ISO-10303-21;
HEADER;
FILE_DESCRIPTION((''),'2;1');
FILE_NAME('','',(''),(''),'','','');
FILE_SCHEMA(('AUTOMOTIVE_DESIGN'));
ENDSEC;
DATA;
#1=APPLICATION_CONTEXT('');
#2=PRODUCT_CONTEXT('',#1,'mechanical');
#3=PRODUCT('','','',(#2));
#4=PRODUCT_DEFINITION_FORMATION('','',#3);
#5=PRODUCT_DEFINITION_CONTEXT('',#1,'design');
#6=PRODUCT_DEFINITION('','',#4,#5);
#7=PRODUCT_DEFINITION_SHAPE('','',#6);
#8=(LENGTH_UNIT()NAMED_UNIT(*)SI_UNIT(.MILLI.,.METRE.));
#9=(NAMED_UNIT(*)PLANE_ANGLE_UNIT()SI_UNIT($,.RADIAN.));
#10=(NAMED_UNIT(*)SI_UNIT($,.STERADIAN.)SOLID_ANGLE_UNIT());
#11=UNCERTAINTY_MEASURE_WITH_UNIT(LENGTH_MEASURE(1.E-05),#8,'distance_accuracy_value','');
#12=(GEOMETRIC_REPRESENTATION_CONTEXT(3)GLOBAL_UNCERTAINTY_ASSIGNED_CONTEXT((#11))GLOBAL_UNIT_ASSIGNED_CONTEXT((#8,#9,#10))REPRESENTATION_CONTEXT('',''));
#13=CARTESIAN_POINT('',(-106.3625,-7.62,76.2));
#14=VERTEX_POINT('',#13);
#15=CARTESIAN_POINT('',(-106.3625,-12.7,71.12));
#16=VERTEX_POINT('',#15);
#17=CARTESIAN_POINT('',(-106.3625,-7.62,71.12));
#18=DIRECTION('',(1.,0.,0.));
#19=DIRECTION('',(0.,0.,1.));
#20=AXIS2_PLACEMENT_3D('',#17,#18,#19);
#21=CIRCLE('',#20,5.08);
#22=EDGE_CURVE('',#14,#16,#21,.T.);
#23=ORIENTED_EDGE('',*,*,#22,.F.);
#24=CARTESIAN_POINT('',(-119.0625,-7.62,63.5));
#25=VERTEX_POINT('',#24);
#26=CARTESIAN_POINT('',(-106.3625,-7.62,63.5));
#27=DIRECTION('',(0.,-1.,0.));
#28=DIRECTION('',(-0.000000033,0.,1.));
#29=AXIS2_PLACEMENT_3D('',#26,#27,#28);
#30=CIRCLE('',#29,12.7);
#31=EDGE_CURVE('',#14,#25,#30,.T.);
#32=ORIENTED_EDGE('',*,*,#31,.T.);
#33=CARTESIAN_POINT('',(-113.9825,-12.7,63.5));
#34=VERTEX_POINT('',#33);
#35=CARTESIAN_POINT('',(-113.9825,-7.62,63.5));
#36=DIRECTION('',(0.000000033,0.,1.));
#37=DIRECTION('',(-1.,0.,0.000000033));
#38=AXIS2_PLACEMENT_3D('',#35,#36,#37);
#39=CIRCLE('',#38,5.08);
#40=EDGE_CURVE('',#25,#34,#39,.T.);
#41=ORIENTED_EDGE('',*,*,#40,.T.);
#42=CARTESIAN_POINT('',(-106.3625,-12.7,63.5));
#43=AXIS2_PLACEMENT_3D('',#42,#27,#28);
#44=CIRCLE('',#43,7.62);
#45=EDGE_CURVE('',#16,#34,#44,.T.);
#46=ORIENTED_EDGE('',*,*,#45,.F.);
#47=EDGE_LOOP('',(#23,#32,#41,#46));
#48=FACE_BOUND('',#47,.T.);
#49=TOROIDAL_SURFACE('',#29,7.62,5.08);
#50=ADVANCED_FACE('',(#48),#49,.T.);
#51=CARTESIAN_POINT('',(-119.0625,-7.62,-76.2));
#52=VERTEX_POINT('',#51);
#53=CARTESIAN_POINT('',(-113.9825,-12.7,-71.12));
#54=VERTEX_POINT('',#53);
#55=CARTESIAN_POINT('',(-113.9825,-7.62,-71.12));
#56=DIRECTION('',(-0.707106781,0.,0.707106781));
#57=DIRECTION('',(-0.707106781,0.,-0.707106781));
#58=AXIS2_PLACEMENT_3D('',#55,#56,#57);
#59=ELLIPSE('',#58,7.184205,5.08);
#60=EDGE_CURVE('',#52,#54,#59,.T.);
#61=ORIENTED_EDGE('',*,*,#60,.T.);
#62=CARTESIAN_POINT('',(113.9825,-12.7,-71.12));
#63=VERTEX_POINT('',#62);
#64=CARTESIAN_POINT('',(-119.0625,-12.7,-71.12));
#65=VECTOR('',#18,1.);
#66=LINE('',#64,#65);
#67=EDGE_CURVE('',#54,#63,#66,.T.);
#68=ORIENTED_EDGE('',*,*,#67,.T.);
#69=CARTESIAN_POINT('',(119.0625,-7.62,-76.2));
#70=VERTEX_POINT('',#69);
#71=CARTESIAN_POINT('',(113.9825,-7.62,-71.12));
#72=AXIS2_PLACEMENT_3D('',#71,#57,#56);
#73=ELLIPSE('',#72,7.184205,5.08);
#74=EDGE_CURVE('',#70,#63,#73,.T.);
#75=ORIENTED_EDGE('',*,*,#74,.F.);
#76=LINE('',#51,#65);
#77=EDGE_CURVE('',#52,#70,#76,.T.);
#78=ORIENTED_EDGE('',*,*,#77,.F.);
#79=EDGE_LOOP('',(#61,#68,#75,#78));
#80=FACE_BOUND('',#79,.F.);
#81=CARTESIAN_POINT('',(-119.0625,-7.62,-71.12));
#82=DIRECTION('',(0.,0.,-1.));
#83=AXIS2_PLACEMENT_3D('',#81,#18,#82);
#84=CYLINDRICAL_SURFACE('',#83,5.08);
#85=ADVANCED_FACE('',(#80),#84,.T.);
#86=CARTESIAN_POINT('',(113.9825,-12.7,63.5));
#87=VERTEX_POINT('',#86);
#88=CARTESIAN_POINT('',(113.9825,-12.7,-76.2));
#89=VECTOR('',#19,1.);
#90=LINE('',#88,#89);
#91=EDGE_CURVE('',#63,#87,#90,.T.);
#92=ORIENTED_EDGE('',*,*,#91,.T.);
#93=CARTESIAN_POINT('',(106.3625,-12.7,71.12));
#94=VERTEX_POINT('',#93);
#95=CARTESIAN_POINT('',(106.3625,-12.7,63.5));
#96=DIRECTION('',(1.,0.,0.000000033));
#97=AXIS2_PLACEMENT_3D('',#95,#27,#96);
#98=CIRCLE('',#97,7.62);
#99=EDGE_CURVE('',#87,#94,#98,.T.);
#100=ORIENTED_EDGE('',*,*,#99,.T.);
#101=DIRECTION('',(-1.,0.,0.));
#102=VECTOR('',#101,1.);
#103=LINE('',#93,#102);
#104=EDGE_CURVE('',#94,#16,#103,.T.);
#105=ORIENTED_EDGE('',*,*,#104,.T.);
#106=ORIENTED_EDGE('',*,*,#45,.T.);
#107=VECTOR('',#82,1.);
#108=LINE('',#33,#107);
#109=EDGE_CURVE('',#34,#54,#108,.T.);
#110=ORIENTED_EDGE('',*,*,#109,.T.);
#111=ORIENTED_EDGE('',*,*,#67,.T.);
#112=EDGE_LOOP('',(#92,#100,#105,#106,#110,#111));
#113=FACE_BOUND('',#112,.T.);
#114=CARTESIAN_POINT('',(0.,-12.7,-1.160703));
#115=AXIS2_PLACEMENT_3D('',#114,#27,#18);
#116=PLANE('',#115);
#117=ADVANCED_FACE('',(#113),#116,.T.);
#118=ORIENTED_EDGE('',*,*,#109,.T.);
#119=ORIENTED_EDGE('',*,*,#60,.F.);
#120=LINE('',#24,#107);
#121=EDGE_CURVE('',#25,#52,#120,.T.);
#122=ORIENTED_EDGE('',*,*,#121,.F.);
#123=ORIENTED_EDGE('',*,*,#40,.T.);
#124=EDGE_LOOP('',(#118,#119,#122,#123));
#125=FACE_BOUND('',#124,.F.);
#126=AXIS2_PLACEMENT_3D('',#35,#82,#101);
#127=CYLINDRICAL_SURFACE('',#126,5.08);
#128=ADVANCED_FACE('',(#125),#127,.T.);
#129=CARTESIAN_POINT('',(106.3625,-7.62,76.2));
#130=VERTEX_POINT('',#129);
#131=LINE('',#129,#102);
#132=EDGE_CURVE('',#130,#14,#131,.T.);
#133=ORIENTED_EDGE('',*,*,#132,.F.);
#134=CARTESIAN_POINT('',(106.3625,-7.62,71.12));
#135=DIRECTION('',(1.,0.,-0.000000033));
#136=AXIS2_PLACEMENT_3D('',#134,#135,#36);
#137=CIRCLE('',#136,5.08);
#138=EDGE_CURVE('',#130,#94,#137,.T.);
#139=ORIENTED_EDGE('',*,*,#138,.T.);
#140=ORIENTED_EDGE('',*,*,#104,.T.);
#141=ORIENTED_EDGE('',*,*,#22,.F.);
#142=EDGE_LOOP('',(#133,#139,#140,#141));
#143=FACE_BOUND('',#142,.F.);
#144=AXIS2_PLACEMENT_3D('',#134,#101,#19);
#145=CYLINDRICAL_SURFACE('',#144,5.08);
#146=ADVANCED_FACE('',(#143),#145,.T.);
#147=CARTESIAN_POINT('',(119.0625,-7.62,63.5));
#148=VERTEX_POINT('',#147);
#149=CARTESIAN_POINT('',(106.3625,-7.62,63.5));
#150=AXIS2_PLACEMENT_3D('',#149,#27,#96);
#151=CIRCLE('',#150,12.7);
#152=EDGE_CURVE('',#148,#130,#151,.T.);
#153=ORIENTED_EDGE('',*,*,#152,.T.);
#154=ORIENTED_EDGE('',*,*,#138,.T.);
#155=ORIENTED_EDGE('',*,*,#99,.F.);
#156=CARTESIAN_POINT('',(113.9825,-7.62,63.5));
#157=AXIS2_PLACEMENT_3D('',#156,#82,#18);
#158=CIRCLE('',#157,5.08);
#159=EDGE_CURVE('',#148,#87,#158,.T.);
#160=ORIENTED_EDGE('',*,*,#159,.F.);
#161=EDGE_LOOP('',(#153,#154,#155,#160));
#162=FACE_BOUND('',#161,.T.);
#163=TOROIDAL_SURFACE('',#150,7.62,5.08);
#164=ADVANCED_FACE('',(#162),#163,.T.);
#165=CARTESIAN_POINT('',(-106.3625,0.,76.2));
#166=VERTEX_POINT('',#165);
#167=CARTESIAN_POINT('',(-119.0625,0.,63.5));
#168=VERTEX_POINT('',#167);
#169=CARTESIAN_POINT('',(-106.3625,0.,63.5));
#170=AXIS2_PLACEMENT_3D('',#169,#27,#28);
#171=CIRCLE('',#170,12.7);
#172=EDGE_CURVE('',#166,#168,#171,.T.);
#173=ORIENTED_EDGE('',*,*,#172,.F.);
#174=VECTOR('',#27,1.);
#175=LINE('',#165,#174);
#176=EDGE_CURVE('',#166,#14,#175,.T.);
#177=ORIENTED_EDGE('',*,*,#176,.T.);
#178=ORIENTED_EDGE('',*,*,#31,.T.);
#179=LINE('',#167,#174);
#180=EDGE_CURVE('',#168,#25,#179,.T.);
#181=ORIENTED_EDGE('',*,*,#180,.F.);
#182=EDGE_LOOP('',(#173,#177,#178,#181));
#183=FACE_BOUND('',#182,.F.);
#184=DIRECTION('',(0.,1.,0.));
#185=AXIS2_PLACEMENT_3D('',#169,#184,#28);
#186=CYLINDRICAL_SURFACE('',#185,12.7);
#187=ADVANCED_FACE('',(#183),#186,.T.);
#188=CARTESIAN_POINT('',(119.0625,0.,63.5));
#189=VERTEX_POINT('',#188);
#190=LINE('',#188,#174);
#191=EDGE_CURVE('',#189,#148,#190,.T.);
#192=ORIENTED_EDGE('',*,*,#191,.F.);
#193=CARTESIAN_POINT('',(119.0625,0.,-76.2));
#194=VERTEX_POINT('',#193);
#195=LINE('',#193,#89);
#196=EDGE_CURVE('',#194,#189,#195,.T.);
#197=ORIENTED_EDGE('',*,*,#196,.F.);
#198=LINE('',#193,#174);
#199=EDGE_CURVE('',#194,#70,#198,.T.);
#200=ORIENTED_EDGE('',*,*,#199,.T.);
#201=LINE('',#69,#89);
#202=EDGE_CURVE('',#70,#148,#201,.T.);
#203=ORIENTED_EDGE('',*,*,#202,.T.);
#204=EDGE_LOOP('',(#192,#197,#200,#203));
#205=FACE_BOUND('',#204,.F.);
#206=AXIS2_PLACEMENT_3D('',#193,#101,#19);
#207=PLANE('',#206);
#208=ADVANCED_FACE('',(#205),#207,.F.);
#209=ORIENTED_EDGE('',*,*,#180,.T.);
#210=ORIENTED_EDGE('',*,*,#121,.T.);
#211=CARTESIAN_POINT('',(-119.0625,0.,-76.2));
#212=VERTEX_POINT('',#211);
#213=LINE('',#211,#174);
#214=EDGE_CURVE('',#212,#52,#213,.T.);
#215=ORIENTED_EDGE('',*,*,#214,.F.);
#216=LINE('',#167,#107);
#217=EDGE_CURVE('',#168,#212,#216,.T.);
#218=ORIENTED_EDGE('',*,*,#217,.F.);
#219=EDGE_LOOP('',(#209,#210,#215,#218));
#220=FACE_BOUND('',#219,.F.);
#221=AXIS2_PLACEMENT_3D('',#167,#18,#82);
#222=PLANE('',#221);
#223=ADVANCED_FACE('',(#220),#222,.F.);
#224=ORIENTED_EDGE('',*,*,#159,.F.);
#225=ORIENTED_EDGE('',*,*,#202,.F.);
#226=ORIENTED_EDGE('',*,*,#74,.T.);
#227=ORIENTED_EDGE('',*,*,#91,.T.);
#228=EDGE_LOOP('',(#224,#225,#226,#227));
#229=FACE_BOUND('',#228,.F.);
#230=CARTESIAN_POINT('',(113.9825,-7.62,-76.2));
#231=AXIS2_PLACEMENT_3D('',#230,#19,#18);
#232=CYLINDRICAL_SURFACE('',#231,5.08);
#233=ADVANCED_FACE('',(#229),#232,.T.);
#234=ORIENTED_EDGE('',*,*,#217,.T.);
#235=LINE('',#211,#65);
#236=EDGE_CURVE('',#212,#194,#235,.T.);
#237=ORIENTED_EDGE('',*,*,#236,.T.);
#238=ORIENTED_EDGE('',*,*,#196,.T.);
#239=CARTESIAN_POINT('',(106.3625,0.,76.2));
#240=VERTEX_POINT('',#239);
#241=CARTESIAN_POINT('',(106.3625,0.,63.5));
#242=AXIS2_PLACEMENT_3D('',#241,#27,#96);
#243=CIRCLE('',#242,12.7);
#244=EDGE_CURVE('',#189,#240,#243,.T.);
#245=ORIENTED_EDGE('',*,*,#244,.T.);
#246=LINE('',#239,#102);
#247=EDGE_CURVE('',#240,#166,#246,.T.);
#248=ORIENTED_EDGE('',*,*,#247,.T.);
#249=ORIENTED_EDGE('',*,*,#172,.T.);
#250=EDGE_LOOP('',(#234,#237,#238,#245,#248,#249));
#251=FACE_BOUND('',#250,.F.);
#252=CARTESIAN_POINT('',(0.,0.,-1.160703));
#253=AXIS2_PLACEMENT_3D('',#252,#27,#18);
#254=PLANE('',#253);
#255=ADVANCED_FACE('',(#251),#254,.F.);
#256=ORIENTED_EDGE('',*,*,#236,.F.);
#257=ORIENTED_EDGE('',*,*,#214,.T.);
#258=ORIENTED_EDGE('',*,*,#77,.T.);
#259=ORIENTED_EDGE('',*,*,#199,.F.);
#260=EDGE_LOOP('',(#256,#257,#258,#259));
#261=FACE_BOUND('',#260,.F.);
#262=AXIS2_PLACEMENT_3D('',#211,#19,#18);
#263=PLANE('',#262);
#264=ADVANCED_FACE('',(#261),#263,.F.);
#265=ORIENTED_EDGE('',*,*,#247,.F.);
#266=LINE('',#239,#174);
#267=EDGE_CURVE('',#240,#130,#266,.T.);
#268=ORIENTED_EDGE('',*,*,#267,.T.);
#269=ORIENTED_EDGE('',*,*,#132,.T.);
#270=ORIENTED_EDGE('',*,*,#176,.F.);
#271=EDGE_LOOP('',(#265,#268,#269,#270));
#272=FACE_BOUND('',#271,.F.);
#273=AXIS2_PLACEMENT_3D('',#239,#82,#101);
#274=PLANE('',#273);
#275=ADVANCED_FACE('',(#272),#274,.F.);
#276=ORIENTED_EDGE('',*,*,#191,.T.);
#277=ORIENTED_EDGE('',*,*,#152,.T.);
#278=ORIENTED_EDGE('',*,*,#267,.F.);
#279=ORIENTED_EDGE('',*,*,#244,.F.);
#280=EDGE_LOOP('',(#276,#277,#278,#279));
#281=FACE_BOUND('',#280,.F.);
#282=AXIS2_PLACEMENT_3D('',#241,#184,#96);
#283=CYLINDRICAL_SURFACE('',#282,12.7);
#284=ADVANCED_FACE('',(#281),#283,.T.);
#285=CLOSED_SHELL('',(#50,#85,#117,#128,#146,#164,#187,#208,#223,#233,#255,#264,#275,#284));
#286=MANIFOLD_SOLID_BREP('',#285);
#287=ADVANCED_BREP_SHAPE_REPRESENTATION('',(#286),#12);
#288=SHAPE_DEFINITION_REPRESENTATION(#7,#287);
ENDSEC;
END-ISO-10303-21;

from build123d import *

# Parameters (mm, degrees)
F1_DEPTH = 12.7
F2_R     = 5.08


with BuildPart() as f1:
    # F0 (on Front) → F1 (new body)
    with BuildSketch(Plane.XZ):
        with BuildLine():
            Line((-119.0625, 63.5), (-119.0625, -76.2))
            Line((-119.0625, -76.2), (119.0625, -76.2))
            Line((119.0625, -76.2), (119.0625, 63.5))
            ThreePointArc((119.0625, 63.5), (115.342756, 72.480256), (106.3625, 76.2))
            Line((106.3625, 76.2), (-106.3625, 76.2))
            ThreePointArc((-106.3625, 76.2), (-115.342756, 72.480256), (-119.0625, 63.5))
        make_face()
    extrude(amount=F1_DEPTH)

    # F2
    f2_edges = [f1.edges().sort_by_distance(p)[0] for p in [
        (-119.0625, -12.7, -6.35),
        (0, -12.7, -76.2),
        (119.0625, -12.7, -6.35),
        (115.342756, -12.7, 72.480256),
        (0, -12.7, 76.2),
        (-115.342756, -12.7, 72.480256),
    ]]
    fillet(f2_edges, radius=F2_R)


solid = f1.part
